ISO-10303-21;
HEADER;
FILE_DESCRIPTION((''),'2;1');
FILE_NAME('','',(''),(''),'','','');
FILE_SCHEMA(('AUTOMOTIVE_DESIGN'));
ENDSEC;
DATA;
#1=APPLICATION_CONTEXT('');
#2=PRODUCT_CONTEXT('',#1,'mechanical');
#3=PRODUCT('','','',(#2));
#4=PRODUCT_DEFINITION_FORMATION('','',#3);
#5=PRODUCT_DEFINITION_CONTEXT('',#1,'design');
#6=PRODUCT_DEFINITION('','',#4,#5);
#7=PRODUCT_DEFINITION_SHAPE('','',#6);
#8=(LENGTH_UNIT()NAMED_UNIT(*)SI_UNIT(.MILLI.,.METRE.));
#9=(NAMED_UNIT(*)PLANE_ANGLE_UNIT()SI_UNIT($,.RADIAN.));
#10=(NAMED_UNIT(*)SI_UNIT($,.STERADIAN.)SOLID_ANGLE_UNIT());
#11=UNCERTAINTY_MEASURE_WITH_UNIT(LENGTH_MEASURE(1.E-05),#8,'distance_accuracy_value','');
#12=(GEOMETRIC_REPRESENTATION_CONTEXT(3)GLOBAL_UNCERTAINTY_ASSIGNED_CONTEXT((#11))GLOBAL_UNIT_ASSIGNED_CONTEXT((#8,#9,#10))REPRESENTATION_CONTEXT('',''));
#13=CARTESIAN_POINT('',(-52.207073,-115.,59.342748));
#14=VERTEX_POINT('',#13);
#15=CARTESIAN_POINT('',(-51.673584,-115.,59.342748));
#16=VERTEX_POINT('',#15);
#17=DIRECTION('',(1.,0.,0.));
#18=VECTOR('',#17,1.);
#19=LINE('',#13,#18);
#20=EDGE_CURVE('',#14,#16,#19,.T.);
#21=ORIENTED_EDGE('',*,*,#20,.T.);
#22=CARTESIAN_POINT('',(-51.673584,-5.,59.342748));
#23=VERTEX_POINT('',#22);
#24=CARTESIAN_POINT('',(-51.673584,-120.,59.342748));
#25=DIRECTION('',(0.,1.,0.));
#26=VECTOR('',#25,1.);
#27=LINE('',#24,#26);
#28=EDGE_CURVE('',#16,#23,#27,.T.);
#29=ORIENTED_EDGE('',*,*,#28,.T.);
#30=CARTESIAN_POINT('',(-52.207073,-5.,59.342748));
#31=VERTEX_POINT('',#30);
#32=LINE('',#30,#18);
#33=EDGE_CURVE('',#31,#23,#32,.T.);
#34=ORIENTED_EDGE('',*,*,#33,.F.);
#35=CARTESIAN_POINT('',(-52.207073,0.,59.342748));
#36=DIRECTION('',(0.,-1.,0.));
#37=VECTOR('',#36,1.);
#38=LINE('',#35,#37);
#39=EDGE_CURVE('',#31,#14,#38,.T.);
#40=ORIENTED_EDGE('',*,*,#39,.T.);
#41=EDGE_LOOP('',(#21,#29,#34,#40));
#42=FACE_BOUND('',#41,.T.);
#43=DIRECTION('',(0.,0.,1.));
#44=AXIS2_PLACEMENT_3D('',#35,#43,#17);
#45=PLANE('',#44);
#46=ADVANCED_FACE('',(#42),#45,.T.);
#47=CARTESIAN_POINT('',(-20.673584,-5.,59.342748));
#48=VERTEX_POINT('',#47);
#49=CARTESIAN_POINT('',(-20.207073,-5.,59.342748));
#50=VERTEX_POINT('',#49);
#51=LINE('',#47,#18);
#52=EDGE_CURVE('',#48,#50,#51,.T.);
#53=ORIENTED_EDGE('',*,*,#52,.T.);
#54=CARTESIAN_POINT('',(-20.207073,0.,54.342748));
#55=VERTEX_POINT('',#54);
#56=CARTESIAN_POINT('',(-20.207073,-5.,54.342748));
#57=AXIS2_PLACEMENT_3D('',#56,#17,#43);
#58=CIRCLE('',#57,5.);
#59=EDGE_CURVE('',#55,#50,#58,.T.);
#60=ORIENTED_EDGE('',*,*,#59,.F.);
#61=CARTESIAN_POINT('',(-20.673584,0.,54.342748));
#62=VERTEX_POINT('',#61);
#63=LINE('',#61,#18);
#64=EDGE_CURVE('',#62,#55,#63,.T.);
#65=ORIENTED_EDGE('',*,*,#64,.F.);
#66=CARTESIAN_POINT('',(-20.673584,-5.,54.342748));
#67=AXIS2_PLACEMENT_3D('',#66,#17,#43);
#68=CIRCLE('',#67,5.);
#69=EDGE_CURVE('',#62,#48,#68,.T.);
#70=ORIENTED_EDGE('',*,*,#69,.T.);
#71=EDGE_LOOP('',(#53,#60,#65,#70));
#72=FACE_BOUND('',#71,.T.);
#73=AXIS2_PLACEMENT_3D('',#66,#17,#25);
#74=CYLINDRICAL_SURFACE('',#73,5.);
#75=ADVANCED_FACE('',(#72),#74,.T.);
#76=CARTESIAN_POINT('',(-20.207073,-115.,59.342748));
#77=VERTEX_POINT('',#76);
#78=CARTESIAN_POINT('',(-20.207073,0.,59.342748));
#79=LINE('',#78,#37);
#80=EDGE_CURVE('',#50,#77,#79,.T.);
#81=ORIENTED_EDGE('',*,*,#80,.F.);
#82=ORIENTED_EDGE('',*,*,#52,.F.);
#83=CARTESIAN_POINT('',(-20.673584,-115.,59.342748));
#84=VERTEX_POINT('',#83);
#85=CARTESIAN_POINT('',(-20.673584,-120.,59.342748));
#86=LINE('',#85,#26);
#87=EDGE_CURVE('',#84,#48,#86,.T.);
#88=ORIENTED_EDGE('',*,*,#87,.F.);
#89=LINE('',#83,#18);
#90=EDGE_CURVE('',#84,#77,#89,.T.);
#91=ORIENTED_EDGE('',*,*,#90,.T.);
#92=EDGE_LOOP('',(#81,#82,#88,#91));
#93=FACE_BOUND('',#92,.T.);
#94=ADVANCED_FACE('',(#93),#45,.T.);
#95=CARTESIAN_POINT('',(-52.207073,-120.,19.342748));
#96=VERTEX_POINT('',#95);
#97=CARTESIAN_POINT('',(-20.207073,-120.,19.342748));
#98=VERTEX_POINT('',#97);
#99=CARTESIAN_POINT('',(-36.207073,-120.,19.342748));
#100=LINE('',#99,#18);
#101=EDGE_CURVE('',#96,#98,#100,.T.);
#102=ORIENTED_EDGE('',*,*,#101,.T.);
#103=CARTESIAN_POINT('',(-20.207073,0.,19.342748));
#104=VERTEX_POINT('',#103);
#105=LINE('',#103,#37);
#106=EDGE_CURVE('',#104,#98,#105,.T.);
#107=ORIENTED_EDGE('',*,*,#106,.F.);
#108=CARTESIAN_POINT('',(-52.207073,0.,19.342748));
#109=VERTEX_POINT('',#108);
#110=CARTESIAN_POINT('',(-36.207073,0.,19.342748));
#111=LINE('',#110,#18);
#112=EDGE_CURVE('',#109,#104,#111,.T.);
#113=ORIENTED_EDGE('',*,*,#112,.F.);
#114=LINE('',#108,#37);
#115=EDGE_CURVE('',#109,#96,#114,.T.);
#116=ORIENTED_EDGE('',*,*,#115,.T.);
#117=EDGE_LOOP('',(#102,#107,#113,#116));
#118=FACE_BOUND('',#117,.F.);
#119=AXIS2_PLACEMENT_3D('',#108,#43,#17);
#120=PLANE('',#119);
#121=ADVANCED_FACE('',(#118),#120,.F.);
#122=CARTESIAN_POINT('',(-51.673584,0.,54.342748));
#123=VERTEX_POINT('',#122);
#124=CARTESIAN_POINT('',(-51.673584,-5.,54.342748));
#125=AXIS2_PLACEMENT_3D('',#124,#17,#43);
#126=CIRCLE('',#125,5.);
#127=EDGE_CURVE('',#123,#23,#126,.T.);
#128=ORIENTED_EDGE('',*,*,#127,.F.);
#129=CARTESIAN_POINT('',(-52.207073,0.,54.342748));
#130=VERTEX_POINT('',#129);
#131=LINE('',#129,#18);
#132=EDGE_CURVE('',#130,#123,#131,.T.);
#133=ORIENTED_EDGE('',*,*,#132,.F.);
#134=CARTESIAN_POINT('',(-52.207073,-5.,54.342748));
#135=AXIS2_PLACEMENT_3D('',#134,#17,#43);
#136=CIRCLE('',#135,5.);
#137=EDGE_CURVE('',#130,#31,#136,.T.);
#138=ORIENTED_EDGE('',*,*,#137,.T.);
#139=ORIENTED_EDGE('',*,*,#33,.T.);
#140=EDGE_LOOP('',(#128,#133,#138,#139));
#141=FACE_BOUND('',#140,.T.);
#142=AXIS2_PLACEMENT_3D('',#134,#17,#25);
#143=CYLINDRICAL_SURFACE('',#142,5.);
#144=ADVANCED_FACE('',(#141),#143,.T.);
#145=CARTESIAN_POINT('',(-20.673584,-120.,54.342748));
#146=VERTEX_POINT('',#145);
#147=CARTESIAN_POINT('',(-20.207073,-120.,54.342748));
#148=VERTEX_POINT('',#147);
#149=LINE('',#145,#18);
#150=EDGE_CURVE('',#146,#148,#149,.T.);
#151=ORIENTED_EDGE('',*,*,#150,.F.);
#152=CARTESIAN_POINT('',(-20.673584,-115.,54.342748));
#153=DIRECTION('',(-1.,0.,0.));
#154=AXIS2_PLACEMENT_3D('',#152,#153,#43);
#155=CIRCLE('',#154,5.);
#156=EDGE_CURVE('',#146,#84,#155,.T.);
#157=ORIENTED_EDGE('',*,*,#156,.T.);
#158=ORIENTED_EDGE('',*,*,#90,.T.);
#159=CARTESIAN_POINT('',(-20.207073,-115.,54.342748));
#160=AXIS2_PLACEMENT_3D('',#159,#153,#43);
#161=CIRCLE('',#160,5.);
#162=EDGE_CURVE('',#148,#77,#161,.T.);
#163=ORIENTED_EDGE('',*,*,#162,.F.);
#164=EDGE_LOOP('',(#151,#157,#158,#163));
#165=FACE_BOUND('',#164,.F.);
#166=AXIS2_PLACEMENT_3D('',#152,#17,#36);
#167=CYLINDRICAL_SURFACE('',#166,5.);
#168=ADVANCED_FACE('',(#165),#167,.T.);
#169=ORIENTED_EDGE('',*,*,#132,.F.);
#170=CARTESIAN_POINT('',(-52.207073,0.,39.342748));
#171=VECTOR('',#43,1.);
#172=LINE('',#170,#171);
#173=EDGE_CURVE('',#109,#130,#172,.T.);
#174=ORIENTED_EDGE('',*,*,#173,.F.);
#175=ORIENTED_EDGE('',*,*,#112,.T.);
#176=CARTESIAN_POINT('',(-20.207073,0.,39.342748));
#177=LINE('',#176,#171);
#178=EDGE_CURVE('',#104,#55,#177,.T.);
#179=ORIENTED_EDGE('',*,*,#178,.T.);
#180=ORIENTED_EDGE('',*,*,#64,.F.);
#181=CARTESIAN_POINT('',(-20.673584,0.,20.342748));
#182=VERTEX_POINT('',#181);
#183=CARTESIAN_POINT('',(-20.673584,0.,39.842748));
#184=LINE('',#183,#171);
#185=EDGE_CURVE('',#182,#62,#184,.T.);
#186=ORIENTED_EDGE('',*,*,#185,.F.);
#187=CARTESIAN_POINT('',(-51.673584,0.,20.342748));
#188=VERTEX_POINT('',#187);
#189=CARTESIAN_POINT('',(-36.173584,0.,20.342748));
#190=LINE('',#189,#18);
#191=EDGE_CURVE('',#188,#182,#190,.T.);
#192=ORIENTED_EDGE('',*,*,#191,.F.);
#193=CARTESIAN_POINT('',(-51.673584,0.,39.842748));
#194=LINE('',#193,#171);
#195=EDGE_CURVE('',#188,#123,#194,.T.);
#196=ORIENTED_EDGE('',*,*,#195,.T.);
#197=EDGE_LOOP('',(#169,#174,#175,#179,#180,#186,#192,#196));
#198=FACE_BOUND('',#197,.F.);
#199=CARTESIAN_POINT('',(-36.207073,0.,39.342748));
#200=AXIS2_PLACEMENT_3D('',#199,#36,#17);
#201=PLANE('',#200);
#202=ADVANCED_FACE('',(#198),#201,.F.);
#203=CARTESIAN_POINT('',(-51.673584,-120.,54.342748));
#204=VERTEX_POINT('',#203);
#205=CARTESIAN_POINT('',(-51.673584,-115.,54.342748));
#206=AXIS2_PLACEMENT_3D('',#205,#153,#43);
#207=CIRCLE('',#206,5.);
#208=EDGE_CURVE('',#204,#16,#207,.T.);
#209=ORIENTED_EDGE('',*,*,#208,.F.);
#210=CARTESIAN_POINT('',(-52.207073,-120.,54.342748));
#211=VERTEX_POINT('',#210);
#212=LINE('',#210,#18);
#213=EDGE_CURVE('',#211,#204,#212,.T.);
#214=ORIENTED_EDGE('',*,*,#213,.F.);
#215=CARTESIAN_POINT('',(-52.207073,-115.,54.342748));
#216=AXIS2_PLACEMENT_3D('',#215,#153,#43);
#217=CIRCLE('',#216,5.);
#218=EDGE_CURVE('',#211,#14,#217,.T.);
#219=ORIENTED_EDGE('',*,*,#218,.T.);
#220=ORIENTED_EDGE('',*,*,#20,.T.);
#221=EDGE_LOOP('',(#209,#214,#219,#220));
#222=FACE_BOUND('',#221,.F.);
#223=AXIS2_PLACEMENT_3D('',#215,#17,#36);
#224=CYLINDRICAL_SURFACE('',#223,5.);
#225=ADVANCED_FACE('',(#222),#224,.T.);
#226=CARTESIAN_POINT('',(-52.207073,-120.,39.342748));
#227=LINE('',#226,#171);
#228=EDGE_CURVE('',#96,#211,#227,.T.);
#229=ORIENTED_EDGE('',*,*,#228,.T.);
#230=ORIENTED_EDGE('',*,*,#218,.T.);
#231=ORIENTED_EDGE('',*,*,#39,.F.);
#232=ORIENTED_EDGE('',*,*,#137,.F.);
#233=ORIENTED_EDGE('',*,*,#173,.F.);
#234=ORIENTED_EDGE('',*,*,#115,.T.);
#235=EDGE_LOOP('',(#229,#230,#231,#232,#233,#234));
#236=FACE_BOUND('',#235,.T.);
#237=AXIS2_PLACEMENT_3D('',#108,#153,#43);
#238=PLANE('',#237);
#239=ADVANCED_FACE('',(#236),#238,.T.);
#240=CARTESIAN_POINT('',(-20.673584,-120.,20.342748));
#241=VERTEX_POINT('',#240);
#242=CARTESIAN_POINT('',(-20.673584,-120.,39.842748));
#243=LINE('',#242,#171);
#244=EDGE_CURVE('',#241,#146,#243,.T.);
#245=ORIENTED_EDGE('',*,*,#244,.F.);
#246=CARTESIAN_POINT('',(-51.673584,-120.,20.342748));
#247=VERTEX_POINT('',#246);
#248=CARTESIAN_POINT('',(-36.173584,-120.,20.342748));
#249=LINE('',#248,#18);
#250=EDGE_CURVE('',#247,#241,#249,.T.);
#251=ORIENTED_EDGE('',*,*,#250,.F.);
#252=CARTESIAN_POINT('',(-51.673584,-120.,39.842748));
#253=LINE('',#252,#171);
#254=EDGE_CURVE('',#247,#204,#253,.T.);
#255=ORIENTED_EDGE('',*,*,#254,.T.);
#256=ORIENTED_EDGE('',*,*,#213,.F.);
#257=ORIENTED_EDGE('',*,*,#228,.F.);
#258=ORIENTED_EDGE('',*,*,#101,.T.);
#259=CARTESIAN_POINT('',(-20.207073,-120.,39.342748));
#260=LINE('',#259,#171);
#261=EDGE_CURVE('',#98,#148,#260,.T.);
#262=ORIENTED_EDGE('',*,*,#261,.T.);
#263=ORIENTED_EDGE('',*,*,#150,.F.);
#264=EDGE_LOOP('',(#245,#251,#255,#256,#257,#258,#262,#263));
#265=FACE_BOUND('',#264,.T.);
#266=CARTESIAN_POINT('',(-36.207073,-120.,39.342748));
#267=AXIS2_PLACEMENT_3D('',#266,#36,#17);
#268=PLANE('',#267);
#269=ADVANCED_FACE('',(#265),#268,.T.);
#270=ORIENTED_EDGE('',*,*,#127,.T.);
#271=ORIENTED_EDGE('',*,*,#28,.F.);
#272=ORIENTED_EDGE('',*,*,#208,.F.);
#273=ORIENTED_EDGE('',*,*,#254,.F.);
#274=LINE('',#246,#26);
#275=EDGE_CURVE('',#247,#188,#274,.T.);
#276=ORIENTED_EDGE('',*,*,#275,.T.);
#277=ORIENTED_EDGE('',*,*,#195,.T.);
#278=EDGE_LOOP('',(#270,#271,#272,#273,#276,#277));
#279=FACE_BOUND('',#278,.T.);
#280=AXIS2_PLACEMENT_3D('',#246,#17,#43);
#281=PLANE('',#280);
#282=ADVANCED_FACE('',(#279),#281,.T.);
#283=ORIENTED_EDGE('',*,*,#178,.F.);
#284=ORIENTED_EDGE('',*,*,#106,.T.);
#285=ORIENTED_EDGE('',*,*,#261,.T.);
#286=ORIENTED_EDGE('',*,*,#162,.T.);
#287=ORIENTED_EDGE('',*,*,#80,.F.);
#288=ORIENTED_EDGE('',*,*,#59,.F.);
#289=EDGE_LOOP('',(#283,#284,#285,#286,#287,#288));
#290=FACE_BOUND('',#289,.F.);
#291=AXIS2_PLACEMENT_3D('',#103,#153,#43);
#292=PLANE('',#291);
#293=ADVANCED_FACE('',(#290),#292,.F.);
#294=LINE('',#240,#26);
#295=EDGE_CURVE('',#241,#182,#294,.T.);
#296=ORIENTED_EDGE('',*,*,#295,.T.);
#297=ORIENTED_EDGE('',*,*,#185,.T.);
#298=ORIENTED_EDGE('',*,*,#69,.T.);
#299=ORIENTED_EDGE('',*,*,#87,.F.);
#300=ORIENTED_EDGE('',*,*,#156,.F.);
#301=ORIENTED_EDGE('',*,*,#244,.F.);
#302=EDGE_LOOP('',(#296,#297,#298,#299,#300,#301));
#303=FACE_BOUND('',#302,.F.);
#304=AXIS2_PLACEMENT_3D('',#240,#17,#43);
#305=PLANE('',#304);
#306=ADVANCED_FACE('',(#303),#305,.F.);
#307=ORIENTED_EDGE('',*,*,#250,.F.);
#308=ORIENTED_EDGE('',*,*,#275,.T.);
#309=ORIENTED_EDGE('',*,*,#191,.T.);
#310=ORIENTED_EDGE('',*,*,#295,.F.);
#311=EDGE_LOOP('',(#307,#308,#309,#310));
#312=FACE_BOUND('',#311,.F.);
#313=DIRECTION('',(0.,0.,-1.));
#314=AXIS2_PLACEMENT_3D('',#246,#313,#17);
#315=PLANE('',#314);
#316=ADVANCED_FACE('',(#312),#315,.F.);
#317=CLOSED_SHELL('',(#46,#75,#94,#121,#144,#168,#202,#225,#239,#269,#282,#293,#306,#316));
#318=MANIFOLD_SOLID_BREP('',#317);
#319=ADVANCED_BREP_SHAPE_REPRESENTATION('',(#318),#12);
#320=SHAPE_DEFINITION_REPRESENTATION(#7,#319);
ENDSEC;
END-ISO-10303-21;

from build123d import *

# Parameters (mm, degrees)
F0_W     = 32
F0_H     = 40
F1_DEPTH = 120
F2_W     = 31
F2_H     = 39
F3_DEPTH = 120
F4_R     = 5
F5_R     = 5
F6_R     = 5
F7_R     = 5


with BuildPart() as f1:
    # F0 (on Front) → F1 (new body)
    with BuildSketch(Plane.XZ):
        with Locations((-36.2070729025, 39.3427484608)):
            Rectangle(F0_W, F0_H)
    extrude(amount=F1_DEPTH)

    # F2 (on face) → F3 (cut)
    with BuildSketch(Plane.XZ.offset(120)):
        with Locations((-36.1735836864, 39.8427484608)):
            Rectangle(F2_W, F2_H)
    extrude(amount=-F3_DEPTH, mode=Mode.SUBTRACT)

    # F4
    f4_edges = [f1.edges().sort_by_distance(p)[0] for p in [
        (-20.440328, -120, 59.342748),
    ]]
    fillet(f4_edges, radius=F4_R)

    # F5
    f5_edges = [f1.edges().sort_by_distance(p)[0] for p in [
        (-51.940328, -120, 59.342748),
    ]]
    fillet(f5_edges, radius=F5_R)

    # F6
    f6_edges = [f1.edges().sort_by_distance(p)[0] for p in [
        (-20.440328, 0, 59.342748),
    ]]
    fillet(f6_edges, radius=F6_R)

    # F7
    f7_edges = [f1.edges().sort_by_distance(p)[0] for p in [
        (-51.940328, 0, 59.342748),
    ]]
    fillet(f7_edges, radius=F7_R)


solid = f1.part
